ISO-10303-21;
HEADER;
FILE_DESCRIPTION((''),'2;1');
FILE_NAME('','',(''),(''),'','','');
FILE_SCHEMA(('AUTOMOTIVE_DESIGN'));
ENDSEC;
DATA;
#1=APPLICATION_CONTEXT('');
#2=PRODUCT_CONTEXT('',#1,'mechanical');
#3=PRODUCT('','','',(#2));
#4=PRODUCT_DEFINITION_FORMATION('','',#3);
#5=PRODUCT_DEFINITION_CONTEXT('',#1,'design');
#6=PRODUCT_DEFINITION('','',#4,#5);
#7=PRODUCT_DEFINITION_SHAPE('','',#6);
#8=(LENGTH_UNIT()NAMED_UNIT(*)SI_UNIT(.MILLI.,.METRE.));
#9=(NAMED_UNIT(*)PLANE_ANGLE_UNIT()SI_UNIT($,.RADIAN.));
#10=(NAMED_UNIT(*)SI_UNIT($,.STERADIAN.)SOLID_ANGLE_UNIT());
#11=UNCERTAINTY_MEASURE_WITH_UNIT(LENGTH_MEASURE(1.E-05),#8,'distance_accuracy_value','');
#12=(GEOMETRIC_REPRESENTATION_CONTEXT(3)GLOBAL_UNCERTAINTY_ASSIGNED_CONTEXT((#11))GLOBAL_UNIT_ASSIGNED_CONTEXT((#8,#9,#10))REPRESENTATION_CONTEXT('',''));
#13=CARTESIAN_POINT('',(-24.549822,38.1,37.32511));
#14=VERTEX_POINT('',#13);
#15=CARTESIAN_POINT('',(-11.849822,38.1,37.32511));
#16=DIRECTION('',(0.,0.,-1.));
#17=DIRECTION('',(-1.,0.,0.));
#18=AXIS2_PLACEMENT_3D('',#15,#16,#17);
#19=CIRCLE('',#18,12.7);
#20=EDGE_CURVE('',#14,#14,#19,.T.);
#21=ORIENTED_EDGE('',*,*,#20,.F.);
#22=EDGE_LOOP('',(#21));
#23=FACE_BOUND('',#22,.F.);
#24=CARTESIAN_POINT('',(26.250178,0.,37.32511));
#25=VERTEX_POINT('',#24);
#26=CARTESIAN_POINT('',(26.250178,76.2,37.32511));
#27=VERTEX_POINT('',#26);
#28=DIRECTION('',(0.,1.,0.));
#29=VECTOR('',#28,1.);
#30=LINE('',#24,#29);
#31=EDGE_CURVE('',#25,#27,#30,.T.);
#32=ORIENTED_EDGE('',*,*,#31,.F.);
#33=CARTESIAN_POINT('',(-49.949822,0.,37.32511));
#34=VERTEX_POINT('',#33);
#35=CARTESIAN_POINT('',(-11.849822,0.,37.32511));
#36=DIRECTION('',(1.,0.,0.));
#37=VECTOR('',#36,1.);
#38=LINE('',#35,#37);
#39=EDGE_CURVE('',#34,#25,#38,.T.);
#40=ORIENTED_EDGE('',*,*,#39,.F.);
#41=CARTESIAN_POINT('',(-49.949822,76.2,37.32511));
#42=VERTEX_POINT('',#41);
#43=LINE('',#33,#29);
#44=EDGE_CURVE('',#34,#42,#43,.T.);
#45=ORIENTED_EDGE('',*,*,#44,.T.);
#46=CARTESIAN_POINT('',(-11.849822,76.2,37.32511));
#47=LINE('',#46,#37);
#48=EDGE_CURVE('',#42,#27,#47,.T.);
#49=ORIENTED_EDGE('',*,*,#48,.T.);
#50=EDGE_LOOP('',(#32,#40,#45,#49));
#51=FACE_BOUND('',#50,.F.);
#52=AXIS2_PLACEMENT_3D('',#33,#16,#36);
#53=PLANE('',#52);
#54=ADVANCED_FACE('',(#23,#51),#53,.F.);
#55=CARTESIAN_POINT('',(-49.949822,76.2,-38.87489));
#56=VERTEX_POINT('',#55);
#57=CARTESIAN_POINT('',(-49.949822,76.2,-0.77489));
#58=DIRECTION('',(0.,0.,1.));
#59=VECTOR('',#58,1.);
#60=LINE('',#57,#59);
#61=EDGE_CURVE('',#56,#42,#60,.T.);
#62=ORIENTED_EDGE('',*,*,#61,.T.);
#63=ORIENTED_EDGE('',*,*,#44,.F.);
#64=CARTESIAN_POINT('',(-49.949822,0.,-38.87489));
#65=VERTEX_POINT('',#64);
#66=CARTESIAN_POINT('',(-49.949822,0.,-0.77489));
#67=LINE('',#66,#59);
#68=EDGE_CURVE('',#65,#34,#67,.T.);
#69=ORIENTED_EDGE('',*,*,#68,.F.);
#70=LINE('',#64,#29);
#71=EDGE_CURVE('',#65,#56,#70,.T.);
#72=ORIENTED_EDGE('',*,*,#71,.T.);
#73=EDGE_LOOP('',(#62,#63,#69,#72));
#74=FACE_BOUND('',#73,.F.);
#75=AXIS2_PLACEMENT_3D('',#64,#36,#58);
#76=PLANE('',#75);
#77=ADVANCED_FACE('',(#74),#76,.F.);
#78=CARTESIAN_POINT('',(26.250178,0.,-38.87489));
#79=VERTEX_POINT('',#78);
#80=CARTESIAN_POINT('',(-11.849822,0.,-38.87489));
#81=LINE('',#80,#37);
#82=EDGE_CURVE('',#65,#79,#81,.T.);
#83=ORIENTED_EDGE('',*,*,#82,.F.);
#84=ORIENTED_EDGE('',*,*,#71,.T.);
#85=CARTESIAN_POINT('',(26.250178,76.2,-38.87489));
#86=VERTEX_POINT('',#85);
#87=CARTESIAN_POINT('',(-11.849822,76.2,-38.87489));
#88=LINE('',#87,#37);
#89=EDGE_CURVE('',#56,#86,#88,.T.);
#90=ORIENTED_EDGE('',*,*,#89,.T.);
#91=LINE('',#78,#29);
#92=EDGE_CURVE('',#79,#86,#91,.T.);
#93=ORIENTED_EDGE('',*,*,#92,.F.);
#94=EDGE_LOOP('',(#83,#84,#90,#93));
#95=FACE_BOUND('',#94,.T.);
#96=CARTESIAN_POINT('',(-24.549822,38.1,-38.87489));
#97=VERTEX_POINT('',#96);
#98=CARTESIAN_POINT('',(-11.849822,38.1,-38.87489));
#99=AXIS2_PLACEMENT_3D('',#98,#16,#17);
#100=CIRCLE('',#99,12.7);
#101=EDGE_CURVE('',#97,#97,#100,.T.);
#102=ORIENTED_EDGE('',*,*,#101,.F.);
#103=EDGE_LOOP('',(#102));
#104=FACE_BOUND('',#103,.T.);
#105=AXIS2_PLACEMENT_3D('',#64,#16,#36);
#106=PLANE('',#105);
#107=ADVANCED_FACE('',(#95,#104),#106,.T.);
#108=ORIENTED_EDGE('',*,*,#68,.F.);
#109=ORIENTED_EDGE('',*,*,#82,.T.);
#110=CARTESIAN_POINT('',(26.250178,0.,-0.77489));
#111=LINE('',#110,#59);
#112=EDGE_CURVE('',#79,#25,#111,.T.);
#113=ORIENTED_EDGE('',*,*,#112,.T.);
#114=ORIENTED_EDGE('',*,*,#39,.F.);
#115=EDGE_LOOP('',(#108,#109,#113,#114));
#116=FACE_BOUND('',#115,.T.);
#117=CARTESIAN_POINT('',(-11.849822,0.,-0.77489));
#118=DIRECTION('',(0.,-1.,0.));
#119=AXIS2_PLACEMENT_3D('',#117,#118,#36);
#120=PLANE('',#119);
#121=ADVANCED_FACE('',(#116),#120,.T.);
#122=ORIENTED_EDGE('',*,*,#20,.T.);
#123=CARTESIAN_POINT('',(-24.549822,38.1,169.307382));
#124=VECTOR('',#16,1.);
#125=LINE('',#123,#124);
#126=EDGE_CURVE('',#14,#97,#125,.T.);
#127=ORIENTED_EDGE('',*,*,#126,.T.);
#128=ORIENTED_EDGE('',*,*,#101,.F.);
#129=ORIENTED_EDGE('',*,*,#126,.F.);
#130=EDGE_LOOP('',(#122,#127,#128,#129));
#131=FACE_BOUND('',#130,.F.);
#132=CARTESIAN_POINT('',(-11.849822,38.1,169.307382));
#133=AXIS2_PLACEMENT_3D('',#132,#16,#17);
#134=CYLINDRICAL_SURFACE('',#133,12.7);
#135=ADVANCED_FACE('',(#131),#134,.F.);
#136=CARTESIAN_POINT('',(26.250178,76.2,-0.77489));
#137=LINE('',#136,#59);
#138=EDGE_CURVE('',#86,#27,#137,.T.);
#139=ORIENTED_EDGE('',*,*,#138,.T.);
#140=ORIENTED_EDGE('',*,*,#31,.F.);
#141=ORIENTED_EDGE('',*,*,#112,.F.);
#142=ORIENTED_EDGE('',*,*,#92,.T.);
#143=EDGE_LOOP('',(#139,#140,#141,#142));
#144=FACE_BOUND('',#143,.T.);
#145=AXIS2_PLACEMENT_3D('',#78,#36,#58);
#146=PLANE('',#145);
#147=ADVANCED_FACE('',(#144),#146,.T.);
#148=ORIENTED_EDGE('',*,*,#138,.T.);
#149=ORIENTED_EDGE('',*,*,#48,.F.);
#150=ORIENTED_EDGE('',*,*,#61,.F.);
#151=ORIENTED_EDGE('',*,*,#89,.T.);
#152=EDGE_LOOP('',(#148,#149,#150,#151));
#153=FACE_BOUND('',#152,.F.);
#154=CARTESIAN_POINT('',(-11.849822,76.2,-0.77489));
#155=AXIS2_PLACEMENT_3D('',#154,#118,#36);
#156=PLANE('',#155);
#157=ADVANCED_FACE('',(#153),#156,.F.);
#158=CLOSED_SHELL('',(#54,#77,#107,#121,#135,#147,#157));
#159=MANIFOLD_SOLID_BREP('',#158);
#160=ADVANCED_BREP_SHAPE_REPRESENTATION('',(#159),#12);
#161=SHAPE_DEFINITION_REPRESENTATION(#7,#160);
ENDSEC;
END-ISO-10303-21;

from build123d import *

# Parameters (mm, degrees)
F0_W     = 76.2
F0_H     = 76.2
F1_DEPTH = 76.2
F3_D     = 25.4


with BuildPart() as f1:
    # F0 (on Front) → F1 (new body)
    with BuildSketch(Plane.XZ):
        with Locations((-11.849822, -0.77489)):
            Rectangle(F0_W, F0_H)
    extrude(amount=-F1_DEPTH)

    # F3 (through all)
    with Locations(Plane.XY.offset(37.32511)):
        with Locations((-11.849822, 38.1)):
            Hole(F3_D / 2)


solid = f1.part
